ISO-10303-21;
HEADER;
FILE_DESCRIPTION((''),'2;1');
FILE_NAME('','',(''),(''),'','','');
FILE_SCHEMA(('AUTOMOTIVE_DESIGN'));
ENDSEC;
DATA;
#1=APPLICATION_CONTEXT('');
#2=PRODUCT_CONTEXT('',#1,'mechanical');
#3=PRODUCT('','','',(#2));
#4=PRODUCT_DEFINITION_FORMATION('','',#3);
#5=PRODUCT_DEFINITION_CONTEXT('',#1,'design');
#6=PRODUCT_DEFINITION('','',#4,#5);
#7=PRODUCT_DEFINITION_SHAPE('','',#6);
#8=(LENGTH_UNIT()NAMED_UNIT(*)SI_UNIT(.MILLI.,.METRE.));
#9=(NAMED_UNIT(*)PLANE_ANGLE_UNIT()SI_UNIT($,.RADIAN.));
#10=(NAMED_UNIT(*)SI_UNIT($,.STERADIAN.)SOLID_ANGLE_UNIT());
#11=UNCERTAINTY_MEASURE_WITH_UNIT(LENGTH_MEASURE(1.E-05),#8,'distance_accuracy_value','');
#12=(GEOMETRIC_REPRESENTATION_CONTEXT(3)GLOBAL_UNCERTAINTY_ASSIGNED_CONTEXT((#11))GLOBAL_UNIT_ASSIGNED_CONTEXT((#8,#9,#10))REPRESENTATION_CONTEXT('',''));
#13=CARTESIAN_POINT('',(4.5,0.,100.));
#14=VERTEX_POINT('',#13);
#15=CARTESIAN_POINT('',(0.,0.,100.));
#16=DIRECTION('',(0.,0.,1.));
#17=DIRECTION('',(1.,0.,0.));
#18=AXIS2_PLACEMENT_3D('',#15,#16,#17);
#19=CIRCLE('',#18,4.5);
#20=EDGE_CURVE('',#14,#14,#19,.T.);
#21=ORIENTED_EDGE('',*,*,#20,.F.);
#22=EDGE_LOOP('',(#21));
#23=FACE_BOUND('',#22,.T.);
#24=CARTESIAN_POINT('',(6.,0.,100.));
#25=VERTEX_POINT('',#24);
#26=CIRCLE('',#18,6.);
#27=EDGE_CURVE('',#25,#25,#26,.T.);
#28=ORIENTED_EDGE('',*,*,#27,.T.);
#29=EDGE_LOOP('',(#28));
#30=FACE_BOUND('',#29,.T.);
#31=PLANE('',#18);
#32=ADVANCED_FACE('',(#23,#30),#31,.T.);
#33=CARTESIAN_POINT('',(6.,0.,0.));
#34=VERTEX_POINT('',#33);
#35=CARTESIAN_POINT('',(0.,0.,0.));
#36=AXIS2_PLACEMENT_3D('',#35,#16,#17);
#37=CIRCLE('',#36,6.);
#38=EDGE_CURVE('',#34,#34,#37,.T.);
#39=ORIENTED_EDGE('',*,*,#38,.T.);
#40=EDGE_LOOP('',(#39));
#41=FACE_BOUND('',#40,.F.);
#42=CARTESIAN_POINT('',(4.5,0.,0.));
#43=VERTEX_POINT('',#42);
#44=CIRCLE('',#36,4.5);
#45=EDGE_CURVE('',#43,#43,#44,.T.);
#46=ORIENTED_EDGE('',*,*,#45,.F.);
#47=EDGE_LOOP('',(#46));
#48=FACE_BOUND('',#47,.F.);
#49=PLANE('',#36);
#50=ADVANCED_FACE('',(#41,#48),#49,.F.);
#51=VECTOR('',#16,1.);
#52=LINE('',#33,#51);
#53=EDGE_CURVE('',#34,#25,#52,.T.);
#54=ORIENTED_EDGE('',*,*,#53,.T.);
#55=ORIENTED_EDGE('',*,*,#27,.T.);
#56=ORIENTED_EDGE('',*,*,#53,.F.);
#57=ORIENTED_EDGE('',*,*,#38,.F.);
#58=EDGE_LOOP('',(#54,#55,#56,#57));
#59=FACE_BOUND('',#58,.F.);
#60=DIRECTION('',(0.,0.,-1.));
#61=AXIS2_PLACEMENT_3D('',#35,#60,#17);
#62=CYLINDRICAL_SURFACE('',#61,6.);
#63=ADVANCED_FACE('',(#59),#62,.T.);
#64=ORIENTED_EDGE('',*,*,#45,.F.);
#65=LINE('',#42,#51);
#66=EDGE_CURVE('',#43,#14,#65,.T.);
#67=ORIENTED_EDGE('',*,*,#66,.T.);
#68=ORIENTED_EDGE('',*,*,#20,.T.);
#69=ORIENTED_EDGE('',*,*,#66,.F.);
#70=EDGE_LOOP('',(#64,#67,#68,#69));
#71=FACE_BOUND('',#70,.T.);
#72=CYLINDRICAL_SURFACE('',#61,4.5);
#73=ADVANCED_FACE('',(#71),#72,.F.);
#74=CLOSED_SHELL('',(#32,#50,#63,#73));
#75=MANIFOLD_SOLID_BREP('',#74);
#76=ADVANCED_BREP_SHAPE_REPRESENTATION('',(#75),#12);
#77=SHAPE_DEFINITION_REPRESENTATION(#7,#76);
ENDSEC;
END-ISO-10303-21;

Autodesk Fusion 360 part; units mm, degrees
sketch "Sketch1" plane through (0, 0, 0) normal (0, 0, 1) x (1, 0, 0)
  circle A0 centre (0, 0) radius 6
  circle A1 centre (0, 0) radius 4.5
  dimension "d1" = 12
  dimension "d2" = 9
extrude "Extrude1" add sketch "Sketch1" along normal blind 100
